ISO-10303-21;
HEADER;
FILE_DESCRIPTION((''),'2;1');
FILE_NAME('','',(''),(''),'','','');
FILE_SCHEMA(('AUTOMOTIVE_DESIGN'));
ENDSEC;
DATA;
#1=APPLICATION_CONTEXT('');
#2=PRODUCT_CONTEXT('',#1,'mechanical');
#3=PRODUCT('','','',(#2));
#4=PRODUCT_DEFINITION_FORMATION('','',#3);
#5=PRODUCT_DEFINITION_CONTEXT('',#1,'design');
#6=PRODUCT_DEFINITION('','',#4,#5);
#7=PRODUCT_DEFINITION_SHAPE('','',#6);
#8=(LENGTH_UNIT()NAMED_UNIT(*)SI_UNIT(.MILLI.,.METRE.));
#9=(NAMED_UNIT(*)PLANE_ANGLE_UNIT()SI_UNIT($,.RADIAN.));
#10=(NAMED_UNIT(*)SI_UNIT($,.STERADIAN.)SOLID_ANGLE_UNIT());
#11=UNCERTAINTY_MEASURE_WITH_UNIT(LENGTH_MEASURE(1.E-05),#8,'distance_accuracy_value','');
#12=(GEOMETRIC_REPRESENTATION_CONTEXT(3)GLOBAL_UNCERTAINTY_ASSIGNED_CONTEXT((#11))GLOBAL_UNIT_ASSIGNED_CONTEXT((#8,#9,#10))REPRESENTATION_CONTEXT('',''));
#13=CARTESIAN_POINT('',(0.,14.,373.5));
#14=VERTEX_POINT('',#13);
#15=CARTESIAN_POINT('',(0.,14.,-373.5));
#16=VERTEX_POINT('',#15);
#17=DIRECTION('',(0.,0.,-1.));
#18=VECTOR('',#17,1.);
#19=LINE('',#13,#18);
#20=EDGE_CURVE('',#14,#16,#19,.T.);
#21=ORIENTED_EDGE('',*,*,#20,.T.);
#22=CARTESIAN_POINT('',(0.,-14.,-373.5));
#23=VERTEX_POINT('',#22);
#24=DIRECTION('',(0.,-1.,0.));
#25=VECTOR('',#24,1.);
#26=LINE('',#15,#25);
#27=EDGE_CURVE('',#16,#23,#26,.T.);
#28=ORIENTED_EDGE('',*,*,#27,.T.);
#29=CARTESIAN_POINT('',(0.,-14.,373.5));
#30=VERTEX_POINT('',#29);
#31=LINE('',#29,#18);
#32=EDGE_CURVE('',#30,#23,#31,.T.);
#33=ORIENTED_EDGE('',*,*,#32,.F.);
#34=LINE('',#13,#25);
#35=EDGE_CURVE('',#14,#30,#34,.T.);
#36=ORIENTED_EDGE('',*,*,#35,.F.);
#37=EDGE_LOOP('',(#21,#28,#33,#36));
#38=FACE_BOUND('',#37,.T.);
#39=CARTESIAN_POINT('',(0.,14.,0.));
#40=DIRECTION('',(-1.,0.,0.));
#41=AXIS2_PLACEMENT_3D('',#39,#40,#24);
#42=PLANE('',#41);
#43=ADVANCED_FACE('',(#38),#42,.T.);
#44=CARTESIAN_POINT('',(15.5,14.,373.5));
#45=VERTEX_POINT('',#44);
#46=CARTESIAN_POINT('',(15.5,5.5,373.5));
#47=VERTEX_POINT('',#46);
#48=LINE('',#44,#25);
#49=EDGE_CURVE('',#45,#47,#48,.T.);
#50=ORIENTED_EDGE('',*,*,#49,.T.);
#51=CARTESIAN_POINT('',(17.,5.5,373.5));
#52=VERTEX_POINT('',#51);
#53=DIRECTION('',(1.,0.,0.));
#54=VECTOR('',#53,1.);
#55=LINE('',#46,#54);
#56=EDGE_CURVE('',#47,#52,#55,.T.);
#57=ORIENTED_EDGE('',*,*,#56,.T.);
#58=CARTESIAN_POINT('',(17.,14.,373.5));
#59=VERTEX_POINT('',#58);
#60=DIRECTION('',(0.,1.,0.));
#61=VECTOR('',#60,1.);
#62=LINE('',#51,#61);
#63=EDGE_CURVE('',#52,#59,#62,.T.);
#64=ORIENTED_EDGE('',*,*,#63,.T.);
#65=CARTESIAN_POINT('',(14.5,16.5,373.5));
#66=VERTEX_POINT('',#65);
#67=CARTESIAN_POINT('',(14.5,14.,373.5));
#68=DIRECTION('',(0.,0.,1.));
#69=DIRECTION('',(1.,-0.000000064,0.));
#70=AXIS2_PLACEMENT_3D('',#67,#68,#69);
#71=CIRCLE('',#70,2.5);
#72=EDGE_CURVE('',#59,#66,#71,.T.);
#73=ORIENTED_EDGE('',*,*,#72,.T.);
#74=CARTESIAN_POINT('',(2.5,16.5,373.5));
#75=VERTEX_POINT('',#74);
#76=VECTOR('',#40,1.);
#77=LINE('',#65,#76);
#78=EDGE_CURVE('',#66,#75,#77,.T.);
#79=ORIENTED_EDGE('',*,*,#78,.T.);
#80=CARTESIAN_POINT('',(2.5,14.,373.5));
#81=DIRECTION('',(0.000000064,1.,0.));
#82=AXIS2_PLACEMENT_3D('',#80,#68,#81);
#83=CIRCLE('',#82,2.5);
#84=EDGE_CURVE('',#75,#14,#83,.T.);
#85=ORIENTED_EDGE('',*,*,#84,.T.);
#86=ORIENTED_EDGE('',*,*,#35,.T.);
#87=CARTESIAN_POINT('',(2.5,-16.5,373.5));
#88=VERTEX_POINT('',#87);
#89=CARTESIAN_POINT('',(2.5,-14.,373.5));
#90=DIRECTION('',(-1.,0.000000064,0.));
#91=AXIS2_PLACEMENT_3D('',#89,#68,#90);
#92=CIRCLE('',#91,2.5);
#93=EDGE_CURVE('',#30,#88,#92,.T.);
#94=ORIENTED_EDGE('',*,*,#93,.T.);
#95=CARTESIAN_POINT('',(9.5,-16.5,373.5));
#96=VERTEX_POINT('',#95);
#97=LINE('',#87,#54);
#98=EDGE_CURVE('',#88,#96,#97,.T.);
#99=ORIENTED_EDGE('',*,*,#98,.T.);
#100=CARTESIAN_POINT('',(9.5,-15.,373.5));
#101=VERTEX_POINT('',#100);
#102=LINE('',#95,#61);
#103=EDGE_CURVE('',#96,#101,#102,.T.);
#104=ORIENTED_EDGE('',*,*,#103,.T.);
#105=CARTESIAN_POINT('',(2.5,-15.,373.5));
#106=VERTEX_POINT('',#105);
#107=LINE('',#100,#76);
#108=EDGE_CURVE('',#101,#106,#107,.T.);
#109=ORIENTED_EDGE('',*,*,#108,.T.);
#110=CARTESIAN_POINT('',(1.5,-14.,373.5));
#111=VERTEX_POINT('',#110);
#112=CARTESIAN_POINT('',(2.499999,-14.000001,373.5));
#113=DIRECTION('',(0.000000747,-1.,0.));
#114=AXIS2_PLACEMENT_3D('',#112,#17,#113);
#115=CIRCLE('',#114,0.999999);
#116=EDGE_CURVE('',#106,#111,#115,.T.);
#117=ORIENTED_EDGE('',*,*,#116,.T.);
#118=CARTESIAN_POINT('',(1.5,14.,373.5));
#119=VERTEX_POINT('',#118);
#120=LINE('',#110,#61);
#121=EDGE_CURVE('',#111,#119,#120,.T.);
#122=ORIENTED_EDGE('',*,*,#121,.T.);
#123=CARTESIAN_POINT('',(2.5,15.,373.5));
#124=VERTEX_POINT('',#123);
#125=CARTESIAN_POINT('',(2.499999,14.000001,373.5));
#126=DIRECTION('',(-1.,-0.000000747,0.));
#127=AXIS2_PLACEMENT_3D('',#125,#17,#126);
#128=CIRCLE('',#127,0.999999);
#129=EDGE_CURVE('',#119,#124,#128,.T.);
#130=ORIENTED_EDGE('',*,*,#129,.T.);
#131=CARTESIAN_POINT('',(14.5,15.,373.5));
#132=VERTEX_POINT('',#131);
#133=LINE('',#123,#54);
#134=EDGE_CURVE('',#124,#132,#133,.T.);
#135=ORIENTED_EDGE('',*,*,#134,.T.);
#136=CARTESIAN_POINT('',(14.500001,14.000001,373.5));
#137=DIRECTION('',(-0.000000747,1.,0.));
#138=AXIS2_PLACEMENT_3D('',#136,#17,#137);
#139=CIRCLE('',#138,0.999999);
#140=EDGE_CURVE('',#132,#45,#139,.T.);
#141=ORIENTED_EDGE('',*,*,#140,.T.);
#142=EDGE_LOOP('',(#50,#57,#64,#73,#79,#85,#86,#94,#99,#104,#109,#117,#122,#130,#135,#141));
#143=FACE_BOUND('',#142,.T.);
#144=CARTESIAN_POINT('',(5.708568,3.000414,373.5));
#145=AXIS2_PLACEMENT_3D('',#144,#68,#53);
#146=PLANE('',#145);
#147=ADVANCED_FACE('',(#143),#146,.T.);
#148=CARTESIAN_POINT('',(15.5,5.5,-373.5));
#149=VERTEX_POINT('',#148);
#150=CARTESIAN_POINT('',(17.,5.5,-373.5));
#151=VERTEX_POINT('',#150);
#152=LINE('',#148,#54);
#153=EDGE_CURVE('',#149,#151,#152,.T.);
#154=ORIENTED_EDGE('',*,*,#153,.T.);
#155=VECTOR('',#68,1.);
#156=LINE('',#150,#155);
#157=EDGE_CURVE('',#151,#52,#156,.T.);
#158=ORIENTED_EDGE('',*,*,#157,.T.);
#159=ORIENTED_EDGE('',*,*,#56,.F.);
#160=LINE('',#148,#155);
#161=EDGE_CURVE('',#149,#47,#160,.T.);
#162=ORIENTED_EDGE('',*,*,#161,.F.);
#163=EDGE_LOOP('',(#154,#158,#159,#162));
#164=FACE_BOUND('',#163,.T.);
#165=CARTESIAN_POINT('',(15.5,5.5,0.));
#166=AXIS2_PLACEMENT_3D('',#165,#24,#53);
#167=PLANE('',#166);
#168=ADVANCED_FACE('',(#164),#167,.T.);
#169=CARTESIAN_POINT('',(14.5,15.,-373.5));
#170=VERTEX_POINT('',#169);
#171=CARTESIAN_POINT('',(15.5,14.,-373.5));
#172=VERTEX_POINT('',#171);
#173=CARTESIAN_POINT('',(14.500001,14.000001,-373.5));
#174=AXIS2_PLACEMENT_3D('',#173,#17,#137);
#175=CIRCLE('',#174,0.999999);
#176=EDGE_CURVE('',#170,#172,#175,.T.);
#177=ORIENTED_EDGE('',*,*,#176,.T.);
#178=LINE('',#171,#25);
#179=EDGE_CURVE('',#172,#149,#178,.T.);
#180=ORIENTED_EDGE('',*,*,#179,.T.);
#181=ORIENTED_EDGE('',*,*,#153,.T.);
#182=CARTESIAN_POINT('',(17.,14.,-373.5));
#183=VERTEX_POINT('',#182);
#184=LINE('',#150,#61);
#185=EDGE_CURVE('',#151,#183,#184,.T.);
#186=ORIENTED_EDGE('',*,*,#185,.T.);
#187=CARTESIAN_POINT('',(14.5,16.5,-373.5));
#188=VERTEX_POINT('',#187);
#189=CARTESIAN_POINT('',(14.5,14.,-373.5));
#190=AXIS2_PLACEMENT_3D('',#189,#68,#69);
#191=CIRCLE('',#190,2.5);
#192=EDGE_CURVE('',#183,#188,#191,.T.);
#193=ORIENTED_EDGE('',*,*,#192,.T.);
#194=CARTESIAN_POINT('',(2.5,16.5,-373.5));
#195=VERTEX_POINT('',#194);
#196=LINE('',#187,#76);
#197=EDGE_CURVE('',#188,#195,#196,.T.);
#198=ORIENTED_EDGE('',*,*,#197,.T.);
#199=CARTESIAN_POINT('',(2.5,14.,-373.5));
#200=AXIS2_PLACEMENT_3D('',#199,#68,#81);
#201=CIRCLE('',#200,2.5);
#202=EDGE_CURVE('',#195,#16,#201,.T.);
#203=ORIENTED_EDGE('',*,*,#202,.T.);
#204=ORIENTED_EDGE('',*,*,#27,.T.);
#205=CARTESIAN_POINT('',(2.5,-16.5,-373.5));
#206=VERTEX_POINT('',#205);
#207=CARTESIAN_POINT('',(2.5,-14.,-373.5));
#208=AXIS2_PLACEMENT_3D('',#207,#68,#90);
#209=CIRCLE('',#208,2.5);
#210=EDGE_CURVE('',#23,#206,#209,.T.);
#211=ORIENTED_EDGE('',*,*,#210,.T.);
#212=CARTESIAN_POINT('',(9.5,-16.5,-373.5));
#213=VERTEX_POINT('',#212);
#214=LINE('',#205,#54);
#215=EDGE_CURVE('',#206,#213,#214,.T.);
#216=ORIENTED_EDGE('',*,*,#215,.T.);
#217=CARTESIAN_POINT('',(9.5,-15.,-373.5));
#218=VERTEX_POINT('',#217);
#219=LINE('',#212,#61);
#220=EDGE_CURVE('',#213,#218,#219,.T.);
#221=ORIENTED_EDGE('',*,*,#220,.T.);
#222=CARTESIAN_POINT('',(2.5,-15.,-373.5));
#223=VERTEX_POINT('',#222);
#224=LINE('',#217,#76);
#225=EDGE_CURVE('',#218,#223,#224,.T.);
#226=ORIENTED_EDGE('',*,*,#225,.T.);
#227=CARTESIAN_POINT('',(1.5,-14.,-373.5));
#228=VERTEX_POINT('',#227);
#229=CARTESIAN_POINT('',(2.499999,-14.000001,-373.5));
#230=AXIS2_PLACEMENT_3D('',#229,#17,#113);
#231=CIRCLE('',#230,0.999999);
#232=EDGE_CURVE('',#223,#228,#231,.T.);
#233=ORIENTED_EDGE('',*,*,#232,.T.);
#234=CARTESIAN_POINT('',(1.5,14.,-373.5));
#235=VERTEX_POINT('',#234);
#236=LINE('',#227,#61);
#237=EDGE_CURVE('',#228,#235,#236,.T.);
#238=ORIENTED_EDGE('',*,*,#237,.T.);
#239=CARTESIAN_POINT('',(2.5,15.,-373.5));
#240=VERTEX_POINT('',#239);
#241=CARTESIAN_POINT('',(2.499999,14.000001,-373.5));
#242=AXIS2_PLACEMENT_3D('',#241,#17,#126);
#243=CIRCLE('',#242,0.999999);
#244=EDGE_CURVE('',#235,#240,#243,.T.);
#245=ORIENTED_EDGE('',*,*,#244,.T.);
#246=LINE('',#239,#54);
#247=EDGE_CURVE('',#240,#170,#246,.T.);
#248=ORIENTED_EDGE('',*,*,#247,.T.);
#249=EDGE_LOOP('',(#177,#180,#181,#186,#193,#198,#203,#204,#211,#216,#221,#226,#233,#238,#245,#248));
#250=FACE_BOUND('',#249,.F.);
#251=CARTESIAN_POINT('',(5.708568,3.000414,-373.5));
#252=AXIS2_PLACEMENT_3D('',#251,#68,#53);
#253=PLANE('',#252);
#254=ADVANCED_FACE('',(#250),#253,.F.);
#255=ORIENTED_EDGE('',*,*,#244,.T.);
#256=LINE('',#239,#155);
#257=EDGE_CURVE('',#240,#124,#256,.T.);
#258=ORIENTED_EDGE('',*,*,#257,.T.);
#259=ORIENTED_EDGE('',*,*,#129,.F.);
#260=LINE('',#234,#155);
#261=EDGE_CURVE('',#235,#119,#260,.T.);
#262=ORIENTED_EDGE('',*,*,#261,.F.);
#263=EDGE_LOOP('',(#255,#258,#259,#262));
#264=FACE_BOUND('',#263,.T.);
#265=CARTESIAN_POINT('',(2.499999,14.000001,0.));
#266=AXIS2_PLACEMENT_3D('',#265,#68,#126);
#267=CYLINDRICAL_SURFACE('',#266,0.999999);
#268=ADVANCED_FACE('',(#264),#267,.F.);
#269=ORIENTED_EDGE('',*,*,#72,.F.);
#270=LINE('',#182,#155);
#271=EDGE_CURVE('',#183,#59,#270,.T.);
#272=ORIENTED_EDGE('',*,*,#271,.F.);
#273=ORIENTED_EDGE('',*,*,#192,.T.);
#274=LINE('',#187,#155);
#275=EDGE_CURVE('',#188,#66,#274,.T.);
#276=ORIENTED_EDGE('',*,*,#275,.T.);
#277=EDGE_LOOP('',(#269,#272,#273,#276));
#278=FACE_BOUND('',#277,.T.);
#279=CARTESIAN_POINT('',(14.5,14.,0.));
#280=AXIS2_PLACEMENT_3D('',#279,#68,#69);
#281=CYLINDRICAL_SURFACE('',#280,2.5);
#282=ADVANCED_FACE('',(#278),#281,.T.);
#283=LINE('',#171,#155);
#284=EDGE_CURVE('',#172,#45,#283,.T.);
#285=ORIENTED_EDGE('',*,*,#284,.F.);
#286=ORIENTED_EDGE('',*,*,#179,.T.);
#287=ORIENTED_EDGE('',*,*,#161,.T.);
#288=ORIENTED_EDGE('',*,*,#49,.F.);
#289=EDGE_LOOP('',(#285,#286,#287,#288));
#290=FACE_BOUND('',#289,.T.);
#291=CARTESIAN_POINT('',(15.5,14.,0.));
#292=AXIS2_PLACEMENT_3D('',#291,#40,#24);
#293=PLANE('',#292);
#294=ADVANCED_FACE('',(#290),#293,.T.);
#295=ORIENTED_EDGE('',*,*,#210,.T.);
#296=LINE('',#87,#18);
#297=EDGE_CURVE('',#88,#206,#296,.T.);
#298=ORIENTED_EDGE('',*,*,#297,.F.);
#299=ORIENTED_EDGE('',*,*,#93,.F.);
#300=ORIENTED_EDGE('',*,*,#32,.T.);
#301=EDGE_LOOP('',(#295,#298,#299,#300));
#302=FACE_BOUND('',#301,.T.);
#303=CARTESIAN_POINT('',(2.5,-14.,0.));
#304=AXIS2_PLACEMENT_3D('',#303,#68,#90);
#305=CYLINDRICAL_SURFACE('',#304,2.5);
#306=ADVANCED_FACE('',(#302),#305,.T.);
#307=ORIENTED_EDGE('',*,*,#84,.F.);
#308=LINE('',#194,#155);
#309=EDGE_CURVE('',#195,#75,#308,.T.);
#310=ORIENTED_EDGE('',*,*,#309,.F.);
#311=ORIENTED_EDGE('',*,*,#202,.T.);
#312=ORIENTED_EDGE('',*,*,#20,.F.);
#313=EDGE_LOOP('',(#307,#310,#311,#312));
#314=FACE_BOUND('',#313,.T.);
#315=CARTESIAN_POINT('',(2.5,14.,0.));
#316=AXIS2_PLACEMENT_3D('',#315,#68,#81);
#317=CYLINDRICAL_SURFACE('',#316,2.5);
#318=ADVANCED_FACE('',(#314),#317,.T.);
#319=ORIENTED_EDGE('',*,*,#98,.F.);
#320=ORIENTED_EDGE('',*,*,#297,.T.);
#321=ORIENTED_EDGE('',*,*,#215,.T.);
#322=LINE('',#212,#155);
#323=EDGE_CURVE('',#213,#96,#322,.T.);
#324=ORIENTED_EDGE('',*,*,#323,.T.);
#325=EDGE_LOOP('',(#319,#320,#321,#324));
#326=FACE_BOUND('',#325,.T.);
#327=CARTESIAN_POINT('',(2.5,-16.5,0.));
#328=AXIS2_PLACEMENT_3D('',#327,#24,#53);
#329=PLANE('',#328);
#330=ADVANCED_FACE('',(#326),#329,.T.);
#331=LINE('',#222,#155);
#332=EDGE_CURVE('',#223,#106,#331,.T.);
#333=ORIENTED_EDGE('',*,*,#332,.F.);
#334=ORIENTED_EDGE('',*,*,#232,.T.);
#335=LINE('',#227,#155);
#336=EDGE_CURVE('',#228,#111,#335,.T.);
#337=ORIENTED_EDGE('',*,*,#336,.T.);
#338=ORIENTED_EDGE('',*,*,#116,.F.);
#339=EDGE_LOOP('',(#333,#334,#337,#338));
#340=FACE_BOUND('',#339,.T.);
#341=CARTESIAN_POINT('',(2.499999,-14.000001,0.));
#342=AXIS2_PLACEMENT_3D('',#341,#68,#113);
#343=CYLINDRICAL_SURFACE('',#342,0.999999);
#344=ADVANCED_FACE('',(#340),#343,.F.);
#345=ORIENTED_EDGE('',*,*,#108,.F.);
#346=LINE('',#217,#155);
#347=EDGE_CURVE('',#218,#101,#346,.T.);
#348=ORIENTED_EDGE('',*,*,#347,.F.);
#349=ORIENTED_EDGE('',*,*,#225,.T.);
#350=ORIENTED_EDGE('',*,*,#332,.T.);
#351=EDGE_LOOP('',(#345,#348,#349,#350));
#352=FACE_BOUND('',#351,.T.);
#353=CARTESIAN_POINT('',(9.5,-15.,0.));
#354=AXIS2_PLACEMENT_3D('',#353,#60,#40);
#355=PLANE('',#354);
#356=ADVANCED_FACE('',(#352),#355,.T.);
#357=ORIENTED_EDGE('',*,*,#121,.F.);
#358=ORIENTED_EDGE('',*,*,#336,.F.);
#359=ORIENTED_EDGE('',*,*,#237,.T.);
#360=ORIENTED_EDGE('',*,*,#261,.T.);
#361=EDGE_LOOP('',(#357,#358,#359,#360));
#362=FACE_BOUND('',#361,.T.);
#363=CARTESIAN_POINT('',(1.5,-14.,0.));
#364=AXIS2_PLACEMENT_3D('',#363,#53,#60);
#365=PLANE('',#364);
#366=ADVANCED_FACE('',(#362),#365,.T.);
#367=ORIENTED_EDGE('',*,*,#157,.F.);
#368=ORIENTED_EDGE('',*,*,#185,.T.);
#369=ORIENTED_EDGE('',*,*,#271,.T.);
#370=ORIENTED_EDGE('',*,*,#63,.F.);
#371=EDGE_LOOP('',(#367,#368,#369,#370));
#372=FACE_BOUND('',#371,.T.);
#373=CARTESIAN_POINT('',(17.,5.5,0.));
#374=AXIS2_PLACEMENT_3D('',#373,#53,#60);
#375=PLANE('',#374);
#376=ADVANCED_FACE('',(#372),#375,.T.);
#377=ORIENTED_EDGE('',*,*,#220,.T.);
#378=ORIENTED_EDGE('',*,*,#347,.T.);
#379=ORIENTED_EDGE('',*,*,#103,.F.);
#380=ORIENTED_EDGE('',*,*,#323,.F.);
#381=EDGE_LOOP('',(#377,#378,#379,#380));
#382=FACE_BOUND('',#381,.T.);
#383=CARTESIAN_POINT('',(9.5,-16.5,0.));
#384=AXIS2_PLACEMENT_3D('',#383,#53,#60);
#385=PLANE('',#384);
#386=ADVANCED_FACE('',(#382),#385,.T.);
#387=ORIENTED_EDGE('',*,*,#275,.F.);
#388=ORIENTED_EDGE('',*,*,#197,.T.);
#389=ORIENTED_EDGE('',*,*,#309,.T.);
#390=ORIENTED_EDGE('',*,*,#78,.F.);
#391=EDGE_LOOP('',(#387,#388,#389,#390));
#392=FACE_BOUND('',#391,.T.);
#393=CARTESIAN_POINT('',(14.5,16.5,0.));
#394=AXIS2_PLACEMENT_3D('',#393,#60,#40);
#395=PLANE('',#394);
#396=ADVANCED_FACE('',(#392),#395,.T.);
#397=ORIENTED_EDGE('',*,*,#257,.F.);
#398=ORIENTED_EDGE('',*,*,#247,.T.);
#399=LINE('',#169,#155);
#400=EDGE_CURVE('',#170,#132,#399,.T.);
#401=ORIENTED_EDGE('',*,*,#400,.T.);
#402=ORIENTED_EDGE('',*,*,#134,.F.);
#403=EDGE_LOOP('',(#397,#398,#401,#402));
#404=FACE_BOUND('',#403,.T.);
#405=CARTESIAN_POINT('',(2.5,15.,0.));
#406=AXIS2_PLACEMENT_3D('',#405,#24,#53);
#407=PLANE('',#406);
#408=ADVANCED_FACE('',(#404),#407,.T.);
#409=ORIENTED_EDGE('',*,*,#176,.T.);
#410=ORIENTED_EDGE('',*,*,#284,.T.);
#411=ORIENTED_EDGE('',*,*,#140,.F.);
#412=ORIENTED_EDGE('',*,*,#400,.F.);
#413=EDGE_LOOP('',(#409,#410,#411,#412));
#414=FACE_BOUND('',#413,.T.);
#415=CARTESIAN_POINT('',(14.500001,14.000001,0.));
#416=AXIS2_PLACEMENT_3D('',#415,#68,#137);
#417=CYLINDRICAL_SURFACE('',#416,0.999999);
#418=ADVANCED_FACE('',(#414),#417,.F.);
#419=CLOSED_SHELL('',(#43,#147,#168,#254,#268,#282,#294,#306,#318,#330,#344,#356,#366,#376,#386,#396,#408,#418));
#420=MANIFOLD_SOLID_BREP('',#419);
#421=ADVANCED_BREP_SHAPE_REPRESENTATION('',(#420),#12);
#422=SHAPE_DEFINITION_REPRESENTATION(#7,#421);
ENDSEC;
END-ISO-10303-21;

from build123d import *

# Parameters (mm, degrees)
F1_DEPTH = 373.5


with BuildPart() as f1:
    # F0 (on Top) → F1 (new body, symmetric)
    with BuildSketch(Plane.XY):
        with BuildLine():
            Line((2.5, -16.5), (9.5, -16.5))
            Line((9.5, -16.5), (9.5, -15))
            Line((9.5, -15), (2.5, -15))
            ThreePointArc((2.5, -15), (1.792893, -14.707107), (1.5, -14))
            Line((1.5, -14), (1.5, 14))
            ThreePointArc((1.5, 14), (1.792893, 14.707107), (2.5, 15))
            Line((2.5, 15), (14.5, 15))
            ThreePointArc((14.5, 15), (15.207107, 14.707107), (15.5, 14))
            Line((15.5, 14), (15.5, 5.5))
            Line((15.5, 5.5), (17, 5.5))
            Line((17, 5.5), (17, 14))
            ThreePointArc((17, 14), (16.267767, 15.767767), (14.5, 16.5))
            Line((14.5, 16.5), (2.5, 16.5))
            ThreePointArc((2.5, 16.5), (0.732233, 15.767767), (0, 14))
            Line((0, 14), (0, -14))
            ThreePointArc((0, -14), (0.732233, -15.767767), (2.5, -16.5))
        make_face()
    extrude(amount=F1_DEPTH, both=True)


solid = f1.part
